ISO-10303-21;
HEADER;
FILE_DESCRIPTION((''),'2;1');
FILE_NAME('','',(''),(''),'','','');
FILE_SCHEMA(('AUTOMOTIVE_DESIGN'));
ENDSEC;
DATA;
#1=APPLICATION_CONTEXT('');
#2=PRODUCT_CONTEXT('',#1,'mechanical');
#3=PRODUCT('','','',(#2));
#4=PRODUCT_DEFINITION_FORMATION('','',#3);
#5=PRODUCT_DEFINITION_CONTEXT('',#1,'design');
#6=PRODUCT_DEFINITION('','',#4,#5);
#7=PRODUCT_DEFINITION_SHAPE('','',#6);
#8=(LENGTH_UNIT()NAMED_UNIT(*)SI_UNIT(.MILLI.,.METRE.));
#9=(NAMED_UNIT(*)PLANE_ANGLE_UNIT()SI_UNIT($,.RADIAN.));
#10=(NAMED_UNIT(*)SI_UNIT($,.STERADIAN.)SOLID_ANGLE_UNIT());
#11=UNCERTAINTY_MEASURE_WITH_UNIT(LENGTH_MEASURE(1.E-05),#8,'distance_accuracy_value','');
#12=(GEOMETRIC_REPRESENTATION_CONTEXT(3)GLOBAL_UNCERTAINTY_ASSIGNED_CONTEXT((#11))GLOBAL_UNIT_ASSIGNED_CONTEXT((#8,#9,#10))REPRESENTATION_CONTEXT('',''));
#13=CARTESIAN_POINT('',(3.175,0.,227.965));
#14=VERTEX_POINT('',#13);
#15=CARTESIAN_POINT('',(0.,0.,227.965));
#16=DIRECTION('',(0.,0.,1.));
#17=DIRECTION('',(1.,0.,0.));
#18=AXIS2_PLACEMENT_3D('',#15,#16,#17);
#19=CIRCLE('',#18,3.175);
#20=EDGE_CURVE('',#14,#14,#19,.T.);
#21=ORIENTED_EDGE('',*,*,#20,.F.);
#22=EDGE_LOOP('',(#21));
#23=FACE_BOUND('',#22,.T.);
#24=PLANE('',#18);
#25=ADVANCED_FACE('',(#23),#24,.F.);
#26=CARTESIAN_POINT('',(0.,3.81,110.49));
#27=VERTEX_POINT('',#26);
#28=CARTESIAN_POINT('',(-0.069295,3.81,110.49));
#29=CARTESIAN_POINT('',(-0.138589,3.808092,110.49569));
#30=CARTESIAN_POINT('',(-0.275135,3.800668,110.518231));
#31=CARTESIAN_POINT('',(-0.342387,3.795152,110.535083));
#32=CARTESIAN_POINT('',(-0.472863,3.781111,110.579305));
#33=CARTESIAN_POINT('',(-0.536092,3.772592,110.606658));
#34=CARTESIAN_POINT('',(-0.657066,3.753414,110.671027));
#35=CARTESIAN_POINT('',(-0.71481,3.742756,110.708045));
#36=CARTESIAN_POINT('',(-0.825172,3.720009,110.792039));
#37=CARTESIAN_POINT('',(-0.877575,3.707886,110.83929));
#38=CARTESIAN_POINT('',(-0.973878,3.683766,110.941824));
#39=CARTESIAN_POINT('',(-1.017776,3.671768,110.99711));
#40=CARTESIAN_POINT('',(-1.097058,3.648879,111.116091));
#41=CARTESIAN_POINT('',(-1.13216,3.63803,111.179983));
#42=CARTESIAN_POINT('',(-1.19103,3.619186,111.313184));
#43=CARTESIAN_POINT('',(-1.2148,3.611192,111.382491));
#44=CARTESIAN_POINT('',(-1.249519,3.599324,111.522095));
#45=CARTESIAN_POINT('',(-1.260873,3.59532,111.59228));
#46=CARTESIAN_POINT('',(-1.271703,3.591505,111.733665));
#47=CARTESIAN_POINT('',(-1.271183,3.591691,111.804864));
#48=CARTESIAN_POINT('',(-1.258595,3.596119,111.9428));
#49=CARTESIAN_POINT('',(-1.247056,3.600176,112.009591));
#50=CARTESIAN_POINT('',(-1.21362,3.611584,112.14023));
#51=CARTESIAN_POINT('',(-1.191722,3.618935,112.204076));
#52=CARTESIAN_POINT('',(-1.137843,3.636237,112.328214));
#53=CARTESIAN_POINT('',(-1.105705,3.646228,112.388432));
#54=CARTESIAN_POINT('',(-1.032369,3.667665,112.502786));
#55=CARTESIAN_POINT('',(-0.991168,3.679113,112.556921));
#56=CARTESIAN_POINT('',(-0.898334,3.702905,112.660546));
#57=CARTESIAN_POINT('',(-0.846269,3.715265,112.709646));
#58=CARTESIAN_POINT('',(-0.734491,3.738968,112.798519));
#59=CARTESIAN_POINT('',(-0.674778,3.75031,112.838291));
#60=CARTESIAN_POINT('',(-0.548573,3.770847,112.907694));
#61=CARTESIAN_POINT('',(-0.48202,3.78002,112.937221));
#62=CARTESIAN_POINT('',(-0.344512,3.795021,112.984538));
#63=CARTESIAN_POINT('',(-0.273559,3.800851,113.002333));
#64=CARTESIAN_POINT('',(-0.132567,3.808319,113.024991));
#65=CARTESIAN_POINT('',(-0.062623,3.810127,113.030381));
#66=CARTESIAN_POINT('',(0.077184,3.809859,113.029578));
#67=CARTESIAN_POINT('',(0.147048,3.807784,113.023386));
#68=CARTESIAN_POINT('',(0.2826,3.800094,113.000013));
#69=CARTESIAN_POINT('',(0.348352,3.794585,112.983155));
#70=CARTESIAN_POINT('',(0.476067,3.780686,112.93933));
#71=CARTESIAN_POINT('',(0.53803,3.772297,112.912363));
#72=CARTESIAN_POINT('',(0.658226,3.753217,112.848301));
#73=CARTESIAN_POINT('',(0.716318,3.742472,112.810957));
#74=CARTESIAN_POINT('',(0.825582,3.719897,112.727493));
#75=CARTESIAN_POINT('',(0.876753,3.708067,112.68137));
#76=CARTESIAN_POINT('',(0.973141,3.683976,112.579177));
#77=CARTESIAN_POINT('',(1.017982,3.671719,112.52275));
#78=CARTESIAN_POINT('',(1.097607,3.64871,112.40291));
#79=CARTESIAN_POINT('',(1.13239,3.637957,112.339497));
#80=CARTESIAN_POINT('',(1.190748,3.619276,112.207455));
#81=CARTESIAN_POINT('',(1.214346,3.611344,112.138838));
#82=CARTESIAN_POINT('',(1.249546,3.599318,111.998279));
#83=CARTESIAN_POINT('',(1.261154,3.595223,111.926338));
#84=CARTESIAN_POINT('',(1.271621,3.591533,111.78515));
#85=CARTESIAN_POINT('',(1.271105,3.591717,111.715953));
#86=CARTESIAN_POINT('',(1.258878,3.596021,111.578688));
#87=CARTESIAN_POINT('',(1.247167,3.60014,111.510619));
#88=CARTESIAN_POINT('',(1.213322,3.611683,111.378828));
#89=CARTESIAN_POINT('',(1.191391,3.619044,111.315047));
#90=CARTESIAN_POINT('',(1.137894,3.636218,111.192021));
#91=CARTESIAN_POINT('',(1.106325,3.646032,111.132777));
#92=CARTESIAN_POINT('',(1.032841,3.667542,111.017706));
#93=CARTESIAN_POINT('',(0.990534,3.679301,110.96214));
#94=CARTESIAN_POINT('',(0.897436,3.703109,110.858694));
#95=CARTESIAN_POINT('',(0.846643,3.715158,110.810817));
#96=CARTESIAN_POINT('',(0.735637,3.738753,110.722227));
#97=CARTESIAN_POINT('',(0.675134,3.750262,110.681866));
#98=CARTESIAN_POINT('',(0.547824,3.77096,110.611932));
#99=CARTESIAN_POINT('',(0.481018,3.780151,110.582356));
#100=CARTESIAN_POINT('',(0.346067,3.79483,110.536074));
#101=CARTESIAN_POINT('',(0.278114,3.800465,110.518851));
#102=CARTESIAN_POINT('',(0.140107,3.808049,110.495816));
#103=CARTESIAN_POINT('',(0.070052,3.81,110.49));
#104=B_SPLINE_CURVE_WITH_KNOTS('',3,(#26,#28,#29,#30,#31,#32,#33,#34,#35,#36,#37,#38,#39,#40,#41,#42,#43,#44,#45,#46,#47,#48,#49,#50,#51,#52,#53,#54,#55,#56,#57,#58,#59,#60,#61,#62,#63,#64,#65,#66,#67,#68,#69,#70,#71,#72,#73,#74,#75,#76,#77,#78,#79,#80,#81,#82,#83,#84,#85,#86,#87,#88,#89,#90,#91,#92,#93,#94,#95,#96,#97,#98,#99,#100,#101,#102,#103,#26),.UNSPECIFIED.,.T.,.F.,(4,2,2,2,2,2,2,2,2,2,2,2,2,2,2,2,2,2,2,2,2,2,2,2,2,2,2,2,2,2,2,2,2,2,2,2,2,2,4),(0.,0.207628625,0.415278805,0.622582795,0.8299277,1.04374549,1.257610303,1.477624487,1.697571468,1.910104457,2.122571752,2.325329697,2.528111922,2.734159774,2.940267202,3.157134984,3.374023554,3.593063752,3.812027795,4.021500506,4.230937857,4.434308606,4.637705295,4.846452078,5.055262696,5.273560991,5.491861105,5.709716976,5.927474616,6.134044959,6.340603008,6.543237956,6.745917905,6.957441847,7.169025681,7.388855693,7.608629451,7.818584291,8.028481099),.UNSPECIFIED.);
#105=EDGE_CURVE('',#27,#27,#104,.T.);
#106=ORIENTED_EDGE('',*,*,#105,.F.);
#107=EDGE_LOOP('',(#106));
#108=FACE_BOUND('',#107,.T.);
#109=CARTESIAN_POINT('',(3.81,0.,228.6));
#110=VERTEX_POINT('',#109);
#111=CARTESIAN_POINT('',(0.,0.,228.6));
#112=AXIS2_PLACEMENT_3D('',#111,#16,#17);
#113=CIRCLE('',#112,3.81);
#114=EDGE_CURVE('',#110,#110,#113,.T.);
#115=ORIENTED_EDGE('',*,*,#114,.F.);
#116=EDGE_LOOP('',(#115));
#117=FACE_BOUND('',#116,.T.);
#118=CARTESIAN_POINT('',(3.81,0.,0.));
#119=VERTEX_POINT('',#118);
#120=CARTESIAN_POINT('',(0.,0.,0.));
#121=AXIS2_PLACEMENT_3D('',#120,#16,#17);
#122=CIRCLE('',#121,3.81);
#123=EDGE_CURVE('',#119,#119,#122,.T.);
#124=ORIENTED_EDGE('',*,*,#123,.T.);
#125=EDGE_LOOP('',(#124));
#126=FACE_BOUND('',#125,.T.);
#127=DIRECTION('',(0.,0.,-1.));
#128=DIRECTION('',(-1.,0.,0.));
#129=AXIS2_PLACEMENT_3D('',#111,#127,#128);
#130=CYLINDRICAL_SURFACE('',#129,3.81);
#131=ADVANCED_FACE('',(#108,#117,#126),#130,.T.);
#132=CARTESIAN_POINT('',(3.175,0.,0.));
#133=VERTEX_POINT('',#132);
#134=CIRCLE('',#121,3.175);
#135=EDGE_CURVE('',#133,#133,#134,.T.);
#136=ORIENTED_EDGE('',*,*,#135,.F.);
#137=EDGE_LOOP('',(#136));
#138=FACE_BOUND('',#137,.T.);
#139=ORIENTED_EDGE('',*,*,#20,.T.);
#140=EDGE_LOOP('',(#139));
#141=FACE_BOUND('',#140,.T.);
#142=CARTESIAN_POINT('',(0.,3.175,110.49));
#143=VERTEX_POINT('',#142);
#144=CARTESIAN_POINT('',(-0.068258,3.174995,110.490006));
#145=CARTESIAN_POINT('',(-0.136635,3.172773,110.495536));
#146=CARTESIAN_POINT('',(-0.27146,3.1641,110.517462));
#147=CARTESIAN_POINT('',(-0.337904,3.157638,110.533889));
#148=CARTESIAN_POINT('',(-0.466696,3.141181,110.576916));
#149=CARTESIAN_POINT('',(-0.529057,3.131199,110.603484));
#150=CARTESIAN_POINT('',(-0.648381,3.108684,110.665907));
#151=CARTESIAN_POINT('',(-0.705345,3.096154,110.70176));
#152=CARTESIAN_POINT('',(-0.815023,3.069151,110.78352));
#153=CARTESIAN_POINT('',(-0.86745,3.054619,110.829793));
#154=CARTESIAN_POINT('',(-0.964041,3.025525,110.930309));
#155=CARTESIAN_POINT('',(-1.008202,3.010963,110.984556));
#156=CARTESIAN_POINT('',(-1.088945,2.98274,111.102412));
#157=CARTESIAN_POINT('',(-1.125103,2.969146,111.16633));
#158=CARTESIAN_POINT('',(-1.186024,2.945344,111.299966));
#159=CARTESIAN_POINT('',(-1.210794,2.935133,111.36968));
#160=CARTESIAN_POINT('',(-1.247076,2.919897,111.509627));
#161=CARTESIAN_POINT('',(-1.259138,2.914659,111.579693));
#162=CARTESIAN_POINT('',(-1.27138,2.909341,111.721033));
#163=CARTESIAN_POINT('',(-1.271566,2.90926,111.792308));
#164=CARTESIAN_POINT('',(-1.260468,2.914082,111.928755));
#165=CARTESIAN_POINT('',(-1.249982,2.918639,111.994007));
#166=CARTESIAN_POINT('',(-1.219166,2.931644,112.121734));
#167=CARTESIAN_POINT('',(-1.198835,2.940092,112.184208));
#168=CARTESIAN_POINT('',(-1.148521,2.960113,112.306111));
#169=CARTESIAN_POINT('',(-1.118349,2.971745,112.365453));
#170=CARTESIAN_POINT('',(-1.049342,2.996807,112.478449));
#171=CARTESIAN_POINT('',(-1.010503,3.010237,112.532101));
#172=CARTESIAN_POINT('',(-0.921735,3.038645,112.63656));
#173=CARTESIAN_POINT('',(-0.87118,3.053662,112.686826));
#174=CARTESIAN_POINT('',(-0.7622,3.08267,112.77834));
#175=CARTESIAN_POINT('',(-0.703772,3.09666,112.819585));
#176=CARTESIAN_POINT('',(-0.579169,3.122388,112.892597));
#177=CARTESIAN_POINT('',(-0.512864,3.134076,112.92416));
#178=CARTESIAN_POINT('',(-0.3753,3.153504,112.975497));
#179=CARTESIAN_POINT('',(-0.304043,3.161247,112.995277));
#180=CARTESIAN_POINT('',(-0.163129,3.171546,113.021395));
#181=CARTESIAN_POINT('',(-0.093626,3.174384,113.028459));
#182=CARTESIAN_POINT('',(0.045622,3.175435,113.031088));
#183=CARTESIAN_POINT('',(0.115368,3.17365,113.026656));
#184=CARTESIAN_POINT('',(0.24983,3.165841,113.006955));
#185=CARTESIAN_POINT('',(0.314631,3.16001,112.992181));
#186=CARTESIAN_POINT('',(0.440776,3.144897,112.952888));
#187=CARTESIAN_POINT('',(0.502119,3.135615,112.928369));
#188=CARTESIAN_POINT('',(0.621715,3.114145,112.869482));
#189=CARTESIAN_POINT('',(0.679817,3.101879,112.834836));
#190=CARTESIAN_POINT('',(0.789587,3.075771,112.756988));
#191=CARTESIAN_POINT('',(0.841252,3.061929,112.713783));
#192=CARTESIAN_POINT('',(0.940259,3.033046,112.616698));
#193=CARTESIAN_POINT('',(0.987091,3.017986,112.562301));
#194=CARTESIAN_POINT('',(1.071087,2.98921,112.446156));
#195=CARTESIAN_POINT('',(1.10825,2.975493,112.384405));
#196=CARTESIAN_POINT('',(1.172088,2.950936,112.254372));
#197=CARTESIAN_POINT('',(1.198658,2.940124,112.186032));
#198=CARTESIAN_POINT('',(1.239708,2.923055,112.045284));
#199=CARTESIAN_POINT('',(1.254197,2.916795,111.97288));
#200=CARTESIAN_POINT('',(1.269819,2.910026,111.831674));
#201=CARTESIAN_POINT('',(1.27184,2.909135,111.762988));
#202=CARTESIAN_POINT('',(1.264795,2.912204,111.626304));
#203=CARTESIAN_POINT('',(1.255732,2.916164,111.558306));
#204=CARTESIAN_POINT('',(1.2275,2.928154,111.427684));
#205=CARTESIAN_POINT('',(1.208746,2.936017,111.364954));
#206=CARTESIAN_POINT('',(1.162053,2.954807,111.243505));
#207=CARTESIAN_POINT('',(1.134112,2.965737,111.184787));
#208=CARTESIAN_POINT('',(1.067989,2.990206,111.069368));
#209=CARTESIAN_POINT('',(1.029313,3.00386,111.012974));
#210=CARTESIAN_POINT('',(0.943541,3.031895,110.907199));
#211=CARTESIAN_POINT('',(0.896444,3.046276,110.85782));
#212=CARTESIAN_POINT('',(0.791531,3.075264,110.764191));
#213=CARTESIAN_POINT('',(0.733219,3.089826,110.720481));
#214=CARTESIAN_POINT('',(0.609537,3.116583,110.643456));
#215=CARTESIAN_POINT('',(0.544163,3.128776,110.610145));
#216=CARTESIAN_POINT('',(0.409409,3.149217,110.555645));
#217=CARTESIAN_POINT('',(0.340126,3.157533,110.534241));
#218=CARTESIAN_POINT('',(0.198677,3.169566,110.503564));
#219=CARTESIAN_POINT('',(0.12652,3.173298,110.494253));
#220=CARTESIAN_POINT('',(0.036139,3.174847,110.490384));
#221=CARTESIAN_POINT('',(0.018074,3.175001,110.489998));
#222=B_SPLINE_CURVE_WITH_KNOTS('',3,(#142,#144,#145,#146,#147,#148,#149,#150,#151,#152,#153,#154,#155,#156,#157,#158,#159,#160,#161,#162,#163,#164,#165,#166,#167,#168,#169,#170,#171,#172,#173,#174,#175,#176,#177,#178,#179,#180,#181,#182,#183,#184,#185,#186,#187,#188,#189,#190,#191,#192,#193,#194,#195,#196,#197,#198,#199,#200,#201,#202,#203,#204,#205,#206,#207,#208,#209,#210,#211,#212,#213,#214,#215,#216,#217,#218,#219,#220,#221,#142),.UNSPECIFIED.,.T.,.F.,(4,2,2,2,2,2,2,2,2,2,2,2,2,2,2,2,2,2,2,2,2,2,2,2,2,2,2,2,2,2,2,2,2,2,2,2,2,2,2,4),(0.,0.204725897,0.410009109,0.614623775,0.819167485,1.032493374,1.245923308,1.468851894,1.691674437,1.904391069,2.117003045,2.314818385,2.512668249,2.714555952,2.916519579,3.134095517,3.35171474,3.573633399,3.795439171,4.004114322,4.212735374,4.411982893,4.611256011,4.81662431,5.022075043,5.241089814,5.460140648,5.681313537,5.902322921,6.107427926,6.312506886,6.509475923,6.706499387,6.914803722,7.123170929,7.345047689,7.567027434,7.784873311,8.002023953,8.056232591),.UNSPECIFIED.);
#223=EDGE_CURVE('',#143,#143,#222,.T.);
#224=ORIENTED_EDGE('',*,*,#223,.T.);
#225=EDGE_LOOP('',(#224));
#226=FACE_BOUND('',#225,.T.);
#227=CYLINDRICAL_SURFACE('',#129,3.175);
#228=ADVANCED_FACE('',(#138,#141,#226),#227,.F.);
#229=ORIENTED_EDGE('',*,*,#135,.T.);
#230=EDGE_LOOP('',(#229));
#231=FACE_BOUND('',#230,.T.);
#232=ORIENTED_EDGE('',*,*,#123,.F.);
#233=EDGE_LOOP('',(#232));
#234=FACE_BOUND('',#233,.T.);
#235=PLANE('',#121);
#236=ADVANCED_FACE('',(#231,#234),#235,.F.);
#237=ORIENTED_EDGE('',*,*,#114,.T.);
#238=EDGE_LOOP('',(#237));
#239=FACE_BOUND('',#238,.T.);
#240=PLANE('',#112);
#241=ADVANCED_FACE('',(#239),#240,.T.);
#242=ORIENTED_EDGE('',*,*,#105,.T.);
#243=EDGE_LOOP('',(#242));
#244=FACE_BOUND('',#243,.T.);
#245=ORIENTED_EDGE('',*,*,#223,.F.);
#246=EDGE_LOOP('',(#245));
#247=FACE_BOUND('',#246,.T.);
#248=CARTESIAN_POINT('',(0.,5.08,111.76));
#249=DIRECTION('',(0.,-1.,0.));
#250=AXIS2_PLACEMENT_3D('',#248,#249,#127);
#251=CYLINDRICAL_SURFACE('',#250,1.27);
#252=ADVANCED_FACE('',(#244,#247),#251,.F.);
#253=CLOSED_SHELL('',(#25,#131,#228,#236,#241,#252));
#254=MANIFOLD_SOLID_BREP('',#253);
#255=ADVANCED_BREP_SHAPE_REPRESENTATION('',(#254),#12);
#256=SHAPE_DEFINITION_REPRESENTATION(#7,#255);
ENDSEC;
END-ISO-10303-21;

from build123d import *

# Parameters (mm, degrees)
SKETCH1_R           = 3.81
BOSS_EXTRUDE1_DEPTH = 228.6
SHELL1_T            = -0.635
SKETCH3_R           = 1.27
CUT_EXTRUDE3_DEPTH  = 5.08


with BuildPart() as part:
    # Sketch1 → Boss-Extrude1 (new body)
    with BuildSketch(Plane.XY):
        Circle(SKETCH1_R)
    extrude(amount=BOSS_EXTRUDE1_DEPTH)

    # Shell1
    shell1_openings = [part.faces().sort_by_distance(p)[0] for p in [
        (0, 0, 0),
    ]]
    offset(amount=SHELL1_T, openings=shell1_openings, kind=Kind.INTERSECTION)

    # Sketch3 → Cut-Extrude3 (cut)
    with BuildSketch(Plane(origin=(0, 0, 0), x_dir=(1, 0, 0), z_dir=(0, 1, 0))):
        with Locations(Location((0, -111.76, 0), (0, 0, 90))):
            Circle(SKETCH3_R)
    extrude(amount=CUT_EXTRUDE3_DEPTH, mode=Mode.SUBTRACT)


solid = part.part
